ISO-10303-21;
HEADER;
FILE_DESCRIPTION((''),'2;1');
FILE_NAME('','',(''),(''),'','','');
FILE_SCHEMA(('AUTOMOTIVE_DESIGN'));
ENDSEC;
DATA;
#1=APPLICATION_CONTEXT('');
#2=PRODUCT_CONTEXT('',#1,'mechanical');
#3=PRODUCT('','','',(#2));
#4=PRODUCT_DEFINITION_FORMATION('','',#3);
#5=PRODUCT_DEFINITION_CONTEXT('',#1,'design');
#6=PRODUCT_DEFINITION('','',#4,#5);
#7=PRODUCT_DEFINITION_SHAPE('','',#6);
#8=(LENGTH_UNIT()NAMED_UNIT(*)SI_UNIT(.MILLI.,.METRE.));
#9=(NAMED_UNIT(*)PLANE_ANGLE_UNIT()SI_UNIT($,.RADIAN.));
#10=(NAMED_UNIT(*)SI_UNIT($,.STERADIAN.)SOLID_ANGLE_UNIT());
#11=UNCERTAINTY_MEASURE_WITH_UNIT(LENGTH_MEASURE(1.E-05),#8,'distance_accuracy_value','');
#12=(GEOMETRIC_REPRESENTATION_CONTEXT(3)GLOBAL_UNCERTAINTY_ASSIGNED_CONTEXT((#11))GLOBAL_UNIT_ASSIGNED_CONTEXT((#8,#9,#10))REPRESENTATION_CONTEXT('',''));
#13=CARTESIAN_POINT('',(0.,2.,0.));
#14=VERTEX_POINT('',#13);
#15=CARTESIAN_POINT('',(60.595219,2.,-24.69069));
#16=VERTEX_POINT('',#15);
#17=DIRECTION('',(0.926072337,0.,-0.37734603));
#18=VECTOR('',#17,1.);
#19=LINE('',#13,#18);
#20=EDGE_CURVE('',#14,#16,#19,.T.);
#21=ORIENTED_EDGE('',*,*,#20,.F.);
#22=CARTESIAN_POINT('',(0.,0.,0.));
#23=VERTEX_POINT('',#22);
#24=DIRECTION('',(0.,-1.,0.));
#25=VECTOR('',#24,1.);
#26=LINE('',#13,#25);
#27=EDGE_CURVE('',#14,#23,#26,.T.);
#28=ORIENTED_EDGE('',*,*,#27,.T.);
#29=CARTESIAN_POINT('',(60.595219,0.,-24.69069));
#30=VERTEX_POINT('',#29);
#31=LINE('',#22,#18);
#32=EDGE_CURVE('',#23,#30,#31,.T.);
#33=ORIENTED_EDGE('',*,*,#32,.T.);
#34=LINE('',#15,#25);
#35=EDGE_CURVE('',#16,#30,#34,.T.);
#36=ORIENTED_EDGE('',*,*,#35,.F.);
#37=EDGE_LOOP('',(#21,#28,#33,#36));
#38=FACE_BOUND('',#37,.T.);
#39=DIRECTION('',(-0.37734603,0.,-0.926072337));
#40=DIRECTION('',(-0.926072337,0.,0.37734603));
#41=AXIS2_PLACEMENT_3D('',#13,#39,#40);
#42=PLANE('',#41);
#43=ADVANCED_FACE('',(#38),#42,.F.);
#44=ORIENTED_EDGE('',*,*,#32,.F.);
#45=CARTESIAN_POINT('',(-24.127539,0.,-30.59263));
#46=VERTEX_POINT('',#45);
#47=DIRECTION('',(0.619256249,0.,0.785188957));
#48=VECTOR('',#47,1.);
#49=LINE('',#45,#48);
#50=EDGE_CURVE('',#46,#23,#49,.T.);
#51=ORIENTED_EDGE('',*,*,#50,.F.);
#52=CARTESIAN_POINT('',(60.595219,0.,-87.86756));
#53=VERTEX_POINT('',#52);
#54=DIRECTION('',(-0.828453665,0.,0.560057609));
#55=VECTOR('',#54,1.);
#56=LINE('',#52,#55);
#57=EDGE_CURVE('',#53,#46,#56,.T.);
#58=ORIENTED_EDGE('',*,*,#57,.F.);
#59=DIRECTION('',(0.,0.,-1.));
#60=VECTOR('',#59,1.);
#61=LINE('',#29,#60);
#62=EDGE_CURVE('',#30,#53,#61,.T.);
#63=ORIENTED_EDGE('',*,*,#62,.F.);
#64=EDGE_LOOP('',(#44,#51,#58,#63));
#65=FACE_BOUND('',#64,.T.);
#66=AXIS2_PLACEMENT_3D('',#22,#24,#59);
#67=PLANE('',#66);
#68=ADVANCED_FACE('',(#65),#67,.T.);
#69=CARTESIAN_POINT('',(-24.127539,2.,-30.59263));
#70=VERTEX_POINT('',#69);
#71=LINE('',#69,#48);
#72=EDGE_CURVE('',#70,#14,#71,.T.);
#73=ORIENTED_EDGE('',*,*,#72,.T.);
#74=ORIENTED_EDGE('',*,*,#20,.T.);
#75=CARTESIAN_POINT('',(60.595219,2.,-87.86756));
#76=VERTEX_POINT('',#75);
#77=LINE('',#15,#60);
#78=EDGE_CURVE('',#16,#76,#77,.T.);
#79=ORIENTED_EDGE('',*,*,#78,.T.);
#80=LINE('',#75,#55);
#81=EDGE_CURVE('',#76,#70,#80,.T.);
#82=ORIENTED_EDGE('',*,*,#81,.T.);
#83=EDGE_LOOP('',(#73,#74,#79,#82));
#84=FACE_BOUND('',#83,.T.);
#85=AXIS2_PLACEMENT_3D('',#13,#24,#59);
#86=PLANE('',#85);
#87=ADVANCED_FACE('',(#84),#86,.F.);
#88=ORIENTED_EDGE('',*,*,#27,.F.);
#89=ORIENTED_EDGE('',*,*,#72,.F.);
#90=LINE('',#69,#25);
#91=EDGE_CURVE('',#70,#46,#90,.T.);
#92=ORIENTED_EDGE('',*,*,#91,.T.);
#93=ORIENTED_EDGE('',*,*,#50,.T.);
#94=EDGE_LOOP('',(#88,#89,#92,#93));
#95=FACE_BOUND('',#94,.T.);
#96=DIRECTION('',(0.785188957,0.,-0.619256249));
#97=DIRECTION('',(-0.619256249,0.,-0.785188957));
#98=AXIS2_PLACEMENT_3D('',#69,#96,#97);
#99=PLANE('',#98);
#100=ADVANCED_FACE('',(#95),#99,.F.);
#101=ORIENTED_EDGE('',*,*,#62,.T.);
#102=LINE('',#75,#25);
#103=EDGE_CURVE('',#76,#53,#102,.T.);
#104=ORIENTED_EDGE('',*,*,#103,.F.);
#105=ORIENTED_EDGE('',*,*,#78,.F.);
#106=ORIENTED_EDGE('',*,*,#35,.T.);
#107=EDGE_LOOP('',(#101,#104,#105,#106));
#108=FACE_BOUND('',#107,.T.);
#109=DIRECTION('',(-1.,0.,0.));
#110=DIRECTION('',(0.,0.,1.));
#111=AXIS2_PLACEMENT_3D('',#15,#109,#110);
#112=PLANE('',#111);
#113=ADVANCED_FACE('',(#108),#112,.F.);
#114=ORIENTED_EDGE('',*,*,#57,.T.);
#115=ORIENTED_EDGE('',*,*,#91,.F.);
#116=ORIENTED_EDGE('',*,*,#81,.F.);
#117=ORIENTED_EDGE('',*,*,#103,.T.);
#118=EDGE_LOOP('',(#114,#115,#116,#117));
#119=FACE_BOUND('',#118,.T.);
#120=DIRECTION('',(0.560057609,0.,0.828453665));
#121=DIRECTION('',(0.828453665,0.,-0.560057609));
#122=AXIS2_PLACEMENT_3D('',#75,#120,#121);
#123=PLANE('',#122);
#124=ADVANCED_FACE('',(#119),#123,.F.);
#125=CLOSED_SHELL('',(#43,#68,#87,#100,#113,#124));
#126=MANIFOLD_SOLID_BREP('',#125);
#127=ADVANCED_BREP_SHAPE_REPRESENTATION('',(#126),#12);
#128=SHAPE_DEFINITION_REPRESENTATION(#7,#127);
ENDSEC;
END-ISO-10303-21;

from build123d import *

# Parameters (mm, degrees)
BOSS_EXTRU_1_DEPTH = 2


with BuildPart() as part:
    # Esquisse1 → Boss.-Extru.1 (new body)
    with BuildSketch(Plane(origin=(0, 0, 0), x_dir=(1, 0, 0), z_dir=(0, 1, 0))):
        Polygon((60.595218653, 87.867559821), (-24.127539359, 30.592630228), (0, 0), (60.595218653, 24.690690244), align=None)
    extrude(amount=BOSS_EXTRU_1_DEPTH)


solid = part.part
